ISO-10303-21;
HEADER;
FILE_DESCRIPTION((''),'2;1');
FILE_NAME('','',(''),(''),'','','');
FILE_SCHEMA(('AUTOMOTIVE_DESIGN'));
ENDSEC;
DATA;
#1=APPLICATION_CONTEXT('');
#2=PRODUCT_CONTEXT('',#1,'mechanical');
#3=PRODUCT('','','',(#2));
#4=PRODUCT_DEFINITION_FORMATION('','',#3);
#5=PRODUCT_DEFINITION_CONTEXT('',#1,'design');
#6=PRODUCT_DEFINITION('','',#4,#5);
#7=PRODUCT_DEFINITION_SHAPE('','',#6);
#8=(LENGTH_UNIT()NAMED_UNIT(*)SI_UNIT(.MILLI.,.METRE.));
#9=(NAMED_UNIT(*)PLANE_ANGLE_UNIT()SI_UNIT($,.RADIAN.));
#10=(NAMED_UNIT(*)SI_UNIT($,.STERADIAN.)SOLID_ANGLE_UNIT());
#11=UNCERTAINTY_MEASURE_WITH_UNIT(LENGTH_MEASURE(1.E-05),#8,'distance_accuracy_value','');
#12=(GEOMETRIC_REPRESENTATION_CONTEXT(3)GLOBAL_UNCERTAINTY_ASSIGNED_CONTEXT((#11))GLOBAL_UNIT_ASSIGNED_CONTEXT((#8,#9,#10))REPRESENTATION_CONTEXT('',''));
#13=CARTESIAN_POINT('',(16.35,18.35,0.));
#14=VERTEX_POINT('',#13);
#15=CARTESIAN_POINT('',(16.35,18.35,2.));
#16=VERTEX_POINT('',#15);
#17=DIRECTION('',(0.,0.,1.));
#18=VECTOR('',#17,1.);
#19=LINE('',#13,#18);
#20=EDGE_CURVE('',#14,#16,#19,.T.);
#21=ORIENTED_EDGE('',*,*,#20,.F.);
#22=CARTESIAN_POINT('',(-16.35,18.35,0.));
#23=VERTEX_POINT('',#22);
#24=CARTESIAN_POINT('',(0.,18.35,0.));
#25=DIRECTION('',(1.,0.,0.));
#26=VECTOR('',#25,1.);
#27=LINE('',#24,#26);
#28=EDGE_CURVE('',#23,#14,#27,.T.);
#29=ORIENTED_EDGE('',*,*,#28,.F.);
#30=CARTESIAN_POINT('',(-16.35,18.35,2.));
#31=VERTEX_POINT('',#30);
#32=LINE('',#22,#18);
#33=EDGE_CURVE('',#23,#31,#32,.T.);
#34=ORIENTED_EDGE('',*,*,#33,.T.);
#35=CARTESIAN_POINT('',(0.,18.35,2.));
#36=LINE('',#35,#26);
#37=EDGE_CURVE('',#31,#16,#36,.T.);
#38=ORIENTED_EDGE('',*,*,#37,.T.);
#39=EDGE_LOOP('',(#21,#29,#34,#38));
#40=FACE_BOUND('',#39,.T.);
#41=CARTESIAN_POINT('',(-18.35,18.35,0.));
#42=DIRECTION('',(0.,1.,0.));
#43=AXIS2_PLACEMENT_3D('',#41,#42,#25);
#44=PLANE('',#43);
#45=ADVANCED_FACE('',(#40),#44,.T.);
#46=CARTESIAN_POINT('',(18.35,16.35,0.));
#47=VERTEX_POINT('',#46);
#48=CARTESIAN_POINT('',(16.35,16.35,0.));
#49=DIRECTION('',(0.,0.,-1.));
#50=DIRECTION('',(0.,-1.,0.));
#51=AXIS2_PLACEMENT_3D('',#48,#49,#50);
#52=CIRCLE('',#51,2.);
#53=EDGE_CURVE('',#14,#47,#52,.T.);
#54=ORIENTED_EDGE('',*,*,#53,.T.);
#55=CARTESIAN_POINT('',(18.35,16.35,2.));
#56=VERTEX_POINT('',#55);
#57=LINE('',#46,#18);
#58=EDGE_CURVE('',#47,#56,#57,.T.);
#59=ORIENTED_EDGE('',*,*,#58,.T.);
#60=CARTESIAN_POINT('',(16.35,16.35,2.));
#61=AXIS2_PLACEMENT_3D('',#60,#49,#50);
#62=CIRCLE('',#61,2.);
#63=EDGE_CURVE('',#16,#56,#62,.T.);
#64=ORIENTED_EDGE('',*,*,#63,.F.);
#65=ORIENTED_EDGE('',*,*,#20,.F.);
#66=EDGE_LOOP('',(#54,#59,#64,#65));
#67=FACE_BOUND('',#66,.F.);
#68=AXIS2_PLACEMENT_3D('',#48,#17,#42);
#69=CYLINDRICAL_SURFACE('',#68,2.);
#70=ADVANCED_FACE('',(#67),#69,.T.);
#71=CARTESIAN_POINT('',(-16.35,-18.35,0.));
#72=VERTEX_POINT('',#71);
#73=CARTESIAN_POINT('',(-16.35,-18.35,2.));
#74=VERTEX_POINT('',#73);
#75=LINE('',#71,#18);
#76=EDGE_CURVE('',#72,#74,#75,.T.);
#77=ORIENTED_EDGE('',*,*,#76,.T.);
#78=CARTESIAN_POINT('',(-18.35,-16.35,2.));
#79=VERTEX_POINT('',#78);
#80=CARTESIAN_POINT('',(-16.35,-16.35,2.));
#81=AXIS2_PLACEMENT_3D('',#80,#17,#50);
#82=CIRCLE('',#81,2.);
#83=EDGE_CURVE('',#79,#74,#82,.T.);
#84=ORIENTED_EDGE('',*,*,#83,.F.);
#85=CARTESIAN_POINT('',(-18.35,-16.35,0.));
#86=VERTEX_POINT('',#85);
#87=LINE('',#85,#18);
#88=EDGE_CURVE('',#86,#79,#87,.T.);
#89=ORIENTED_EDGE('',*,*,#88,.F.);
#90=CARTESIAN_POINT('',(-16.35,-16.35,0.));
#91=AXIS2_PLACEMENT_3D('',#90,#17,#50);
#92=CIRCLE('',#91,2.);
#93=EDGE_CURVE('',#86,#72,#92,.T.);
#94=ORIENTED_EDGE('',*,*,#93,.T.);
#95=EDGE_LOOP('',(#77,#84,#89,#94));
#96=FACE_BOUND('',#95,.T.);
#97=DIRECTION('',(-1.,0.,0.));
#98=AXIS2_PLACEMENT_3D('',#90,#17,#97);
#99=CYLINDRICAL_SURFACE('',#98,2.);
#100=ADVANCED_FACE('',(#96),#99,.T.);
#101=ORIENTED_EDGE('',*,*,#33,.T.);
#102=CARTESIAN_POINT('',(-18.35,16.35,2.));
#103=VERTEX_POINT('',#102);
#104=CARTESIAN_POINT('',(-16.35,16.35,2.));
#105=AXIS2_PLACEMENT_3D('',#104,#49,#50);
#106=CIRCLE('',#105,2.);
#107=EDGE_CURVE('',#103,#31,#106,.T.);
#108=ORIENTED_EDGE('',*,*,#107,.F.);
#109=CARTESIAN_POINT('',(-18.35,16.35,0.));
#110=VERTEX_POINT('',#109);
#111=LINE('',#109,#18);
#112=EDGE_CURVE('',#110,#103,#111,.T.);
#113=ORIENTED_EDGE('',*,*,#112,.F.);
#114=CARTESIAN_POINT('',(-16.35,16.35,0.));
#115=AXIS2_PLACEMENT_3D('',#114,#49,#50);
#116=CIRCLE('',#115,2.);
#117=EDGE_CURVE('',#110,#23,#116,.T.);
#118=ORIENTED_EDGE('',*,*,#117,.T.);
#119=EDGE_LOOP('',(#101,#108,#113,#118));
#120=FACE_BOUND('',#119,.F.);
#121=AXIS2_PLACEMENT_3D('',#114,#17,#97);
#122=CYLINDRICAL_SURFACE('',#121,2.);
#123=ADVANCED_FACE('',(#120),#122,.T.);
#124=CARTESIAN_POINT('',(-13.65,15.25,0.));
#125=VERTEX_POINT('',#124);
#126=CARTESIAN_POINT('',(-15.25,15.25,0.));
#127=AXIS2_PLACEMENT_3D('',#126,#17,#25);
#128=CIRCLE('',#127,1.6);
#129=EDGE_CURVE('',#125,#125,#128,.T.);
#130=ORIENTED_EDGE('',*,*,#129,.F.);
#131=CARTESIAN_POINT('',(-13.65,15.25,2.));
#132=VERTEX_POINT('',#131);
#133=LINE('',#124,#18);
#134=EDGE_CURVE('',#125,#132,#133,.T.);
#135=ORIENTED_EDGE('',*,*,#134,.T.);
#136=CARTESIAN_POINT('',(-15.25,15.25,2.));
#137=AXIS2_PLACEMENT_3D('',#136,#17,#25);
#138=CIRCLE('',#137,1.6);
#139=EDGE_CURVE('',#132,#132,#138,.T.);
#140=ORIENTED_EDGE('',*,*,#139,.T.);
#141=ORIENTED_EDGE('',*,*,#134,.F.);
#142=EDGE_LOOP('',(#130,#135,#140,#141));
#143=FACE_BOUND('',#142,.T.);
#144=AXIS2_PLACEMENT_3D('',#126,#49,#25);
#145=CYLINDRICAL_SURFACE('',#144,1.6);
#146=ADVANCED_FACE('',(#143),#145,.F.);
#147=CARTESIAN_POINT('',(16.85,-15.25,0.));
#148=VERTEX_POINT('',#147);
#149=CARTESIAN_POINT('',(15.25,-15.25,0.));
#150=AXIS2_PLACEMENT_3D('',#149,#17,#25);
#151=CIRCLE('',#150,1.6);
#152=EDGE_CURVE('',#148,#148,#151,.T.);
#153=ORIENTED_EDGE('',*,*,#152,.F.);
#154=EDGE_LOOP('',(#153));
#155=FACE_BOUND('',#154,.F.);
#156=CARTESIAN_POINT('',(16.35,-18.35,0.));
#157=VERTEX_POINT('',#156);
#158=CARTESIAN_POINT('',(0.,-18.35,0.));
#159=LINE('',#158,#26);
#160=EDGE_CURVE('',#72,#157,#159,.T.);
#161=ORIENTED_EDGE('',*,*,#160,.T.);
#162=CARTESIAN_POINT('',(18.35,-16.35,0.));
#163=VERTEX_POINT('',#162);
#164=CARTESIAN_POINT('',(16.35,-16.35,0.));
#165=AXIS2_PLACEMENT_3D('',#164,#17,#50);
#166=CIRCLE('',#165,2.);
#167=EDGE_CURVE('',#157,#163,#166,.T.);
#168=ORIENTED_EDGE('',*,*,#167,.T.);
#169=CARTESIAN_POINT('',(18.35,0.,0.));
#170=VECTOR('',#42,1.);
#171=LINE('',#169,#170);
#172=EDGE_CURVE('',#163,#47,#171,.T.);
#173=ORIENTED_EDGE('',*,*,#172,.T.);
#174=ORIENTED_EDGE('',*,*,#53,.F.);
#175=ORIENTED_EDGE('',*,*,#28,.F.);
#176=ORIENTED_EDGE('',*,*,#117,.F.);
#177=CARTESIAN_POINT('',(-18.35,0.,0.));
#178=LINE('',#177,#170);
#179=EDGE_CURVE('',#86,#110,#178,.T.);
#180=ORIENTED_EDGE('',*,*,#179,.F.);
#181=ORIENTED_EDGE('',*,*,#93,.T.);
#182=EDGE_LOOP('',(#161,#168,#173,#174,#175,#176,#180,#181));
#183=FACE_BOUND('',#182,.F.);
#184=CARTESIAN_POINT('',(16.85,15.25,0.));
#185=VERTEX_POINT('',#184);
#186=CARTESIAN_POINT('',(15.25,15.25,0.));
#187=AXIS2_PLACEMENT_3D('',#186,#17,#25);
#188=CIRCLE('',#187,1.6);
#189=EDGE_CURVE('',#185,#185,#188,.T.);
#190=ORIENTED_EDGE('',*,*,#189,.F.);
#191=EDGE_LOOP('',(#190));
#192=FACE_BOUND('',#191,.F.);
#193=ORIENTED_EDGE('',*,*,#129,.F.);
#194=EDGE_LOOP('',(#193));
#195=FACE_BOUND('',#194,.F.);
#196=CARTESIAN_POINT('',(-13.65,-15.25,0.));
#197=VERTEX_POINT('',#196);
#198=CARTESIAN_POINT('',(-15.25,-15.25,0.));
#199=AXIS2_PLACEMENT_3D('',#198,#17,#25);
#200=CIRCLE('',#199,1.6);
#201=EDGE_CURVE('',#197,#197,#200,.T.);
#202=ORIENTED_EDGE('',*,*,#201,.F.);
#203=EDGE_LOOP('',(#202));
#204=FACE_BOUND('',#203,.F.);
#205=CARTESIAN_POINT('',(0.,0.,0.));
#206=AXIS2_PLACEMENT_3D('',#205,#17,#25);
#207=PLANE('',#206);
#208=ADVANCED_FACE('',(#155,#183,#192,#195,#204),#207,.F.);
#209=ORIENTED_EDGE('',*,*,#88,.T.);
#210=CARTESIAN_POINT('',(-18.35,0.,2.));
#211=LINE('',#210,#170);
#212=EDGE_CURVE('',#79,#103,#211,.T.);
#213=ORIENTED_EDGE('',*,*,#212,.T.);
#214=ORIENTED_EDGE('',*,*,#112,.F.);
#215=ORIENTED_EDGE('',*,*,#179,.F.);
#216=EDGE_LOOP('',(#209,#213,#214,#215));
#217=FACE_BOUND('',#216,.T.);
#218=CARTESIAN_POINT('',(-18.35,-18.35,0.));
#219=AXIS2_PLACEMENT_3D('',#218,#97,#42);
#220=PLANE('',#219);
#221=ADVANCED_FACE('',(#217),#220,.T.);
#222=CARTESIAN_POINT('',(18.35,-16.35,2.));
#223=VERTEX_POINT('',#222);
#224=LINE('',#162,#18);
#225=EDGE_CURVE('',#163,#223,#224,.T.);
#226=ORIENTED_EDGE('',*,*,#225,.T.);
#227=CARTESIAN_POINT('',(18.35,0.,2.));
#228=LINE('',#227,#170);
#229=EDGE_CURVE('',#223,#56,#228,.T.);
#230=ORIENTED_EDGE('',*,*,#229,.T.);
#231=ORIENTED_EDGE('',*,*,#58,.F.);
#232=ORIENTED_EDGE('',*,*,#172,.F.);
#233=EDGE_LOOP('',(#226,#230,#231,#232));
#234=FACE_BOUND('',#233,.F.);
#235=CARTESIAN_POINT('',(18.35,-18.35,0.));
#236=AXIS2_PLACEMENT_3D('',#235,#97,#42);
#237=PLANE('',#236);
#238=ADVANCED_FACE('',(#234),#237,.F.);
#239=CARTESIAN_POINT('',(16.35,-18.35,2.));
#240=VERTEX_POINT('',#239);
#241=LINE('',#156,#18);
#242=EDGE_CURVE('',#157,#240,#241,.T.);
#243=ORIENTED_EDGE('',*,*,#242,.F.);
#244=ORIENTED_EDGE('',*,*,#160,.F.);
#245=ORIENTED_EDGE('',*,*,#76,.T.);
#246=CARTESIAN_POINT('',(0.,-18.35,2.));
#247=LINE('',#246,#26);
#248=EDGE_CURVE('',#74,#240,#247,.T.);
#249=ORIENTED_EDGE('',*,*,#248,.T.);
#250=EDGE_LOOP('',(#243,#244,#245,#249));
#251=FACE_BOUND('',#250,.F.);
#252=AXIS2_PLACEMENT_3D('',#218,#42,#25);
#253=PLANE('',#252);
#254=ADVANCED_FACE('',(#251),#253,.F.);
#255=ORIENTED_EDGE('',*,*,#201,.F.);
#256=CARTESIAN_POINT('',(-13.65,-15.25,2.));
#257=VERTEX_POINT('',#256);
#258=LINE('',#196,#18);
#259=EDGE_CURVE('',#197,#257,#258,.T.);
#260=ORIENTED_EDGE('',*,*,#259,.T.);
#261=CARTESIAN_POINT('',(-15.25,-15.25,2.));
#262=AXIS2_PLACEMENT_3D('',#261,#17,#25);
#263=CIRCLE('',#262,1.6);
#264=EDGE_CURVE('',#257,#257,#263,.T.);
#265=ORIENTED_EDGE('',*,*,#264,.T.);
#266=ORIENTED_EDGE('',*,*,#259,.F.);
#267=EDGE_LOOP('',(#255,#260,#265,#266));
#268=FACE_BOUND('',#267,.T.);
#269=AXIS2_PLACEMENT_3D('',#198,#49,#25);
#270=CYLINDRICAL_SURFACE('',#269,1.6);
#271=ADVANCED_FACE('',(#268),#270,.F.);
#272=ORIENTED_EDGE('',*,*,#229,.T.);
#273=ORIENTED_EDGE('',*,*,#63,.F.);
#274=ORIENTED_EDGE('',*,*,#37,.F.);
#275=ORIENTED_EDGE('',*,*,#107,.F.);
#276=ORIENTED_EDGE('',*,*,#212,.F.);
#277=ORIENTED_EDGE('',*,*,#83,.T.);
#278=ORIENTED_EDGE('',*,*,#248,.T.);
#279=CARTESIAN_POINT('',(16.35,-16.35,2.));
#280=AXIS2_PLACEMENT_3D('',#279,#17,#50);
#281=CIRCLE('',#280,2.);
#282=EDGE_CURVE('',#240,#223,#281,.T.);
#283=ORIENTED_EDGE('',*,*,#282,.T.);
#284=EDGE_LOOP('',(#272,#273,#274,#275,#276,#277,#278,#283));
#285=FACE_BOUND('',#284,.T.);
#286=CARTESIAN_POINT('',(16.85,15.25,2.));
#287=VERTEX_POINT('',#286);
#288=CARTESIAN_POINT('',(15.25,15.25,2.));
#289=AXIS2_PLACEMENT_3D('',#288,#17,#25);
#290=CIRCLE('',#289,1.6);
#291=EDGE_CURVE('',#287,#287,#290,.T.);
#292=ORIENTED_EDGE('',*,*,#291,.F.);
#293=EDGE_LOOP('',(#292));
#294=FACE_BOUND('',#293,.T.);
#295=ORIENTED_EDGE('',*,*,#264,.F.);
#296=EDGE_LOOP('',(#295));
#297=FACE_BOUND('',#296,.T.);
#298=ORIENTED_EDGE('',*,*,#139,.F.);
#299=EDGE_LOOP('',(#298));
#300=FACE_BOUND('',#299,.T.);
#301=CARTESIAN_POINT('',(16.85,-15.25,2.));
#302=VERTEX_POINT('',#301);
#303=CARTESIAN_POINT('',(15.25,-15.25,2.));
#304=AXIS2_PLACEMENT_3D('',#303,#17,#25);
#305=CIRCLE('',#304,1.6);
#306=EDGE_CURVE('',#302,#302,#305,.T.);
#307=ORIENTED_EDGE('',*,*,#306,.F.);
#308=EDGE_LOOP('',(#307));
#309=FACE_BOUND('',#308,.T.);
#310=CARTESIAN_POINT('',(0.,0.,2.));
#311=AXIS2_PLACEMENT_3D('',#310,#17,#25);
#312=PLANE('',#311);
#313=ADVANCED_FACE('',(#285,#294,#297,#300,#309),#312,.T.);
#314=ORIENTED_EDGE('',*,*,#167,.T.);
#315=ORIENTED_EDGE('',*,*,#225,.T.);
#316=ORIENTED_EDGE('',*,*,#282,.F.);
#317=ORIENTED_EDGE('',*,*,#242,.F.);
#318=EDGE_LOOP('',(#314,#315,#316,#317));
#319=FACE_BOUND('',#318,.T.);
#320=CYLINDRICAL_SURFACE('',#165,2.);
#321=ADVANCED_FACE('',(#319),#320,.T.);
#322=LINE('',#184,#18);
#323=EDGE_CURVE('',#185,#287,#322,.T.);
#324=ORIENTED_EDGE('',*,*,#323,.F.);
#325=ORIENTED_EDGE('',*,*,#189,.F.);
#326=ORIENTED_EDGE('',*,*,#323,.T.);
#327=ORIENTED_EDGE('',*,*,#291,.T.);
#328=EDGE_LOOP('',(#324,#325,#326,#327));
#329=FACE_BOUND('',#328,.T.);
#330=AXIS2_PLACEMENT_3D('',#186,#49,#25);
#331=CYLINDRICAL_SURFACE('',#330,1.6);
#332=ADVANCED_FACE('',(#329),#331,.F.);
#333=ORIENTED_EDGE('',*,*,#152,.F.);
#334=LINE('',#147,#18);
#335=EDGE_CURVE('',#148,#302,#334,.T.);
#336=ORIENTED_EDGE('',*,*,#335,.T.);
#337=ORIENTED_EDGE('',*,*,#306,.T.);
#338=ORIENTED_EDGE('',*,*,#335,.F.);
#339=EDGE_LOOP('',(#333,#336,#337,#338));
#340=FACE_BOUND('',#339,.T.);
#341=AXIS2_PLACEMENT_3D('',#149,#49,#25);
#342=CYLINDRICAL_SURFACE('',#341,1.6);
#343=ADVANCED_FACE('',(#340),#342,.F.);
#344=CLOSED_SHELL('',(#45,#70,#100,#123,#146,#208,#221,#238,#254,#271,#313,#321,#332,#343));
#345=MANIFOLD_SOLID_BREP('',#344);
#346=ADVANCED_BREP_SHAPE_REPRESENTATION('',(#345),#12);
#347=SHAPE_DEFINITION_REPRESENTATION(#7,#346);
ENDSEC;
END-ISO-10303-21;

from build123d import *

# Parameters (mm, degrees)
F0_W     = 36.7
F0_H     = 36.7
F0_R     = 1.6
F1_DEPTH = 2
F2_R     = 2


with BuildPart() as f1:
    # F0 (on Top) → F1 (new body)
    with BuildSketch(Plane.XY):
        Rectangle(F0_W, F0_H)
        with Locations((-15.25, -15.25)):
            Circle(F0_R, mode=Mode.SUBTRACT)
        with Locations((15.25, -15.25)):
            Circle(F0_R, mode=Mode.SUBTRACT)
        with Locations((-15.25, 15.25)):
            Circle(F0_R, mode=Mode.SUBTRACT)
        with Locations((15.25, 15.25)):
            Circle(F0_R, mode=Mode.SUBTRACT)
    extrude(amount=F1_DEPTH)

    # F2
    f2_edges = [f1.edges().sort_by_distance(p)[0] for p in [
        (-18.35, 18.35, 1),
        (18.35, 18.35, 1),
        (18.35, -18.35, 1),
        (-18.35, -18.35, 1),
    ]]
    fillet(f2_edges, radius=F2_R)


solid = f1.part
